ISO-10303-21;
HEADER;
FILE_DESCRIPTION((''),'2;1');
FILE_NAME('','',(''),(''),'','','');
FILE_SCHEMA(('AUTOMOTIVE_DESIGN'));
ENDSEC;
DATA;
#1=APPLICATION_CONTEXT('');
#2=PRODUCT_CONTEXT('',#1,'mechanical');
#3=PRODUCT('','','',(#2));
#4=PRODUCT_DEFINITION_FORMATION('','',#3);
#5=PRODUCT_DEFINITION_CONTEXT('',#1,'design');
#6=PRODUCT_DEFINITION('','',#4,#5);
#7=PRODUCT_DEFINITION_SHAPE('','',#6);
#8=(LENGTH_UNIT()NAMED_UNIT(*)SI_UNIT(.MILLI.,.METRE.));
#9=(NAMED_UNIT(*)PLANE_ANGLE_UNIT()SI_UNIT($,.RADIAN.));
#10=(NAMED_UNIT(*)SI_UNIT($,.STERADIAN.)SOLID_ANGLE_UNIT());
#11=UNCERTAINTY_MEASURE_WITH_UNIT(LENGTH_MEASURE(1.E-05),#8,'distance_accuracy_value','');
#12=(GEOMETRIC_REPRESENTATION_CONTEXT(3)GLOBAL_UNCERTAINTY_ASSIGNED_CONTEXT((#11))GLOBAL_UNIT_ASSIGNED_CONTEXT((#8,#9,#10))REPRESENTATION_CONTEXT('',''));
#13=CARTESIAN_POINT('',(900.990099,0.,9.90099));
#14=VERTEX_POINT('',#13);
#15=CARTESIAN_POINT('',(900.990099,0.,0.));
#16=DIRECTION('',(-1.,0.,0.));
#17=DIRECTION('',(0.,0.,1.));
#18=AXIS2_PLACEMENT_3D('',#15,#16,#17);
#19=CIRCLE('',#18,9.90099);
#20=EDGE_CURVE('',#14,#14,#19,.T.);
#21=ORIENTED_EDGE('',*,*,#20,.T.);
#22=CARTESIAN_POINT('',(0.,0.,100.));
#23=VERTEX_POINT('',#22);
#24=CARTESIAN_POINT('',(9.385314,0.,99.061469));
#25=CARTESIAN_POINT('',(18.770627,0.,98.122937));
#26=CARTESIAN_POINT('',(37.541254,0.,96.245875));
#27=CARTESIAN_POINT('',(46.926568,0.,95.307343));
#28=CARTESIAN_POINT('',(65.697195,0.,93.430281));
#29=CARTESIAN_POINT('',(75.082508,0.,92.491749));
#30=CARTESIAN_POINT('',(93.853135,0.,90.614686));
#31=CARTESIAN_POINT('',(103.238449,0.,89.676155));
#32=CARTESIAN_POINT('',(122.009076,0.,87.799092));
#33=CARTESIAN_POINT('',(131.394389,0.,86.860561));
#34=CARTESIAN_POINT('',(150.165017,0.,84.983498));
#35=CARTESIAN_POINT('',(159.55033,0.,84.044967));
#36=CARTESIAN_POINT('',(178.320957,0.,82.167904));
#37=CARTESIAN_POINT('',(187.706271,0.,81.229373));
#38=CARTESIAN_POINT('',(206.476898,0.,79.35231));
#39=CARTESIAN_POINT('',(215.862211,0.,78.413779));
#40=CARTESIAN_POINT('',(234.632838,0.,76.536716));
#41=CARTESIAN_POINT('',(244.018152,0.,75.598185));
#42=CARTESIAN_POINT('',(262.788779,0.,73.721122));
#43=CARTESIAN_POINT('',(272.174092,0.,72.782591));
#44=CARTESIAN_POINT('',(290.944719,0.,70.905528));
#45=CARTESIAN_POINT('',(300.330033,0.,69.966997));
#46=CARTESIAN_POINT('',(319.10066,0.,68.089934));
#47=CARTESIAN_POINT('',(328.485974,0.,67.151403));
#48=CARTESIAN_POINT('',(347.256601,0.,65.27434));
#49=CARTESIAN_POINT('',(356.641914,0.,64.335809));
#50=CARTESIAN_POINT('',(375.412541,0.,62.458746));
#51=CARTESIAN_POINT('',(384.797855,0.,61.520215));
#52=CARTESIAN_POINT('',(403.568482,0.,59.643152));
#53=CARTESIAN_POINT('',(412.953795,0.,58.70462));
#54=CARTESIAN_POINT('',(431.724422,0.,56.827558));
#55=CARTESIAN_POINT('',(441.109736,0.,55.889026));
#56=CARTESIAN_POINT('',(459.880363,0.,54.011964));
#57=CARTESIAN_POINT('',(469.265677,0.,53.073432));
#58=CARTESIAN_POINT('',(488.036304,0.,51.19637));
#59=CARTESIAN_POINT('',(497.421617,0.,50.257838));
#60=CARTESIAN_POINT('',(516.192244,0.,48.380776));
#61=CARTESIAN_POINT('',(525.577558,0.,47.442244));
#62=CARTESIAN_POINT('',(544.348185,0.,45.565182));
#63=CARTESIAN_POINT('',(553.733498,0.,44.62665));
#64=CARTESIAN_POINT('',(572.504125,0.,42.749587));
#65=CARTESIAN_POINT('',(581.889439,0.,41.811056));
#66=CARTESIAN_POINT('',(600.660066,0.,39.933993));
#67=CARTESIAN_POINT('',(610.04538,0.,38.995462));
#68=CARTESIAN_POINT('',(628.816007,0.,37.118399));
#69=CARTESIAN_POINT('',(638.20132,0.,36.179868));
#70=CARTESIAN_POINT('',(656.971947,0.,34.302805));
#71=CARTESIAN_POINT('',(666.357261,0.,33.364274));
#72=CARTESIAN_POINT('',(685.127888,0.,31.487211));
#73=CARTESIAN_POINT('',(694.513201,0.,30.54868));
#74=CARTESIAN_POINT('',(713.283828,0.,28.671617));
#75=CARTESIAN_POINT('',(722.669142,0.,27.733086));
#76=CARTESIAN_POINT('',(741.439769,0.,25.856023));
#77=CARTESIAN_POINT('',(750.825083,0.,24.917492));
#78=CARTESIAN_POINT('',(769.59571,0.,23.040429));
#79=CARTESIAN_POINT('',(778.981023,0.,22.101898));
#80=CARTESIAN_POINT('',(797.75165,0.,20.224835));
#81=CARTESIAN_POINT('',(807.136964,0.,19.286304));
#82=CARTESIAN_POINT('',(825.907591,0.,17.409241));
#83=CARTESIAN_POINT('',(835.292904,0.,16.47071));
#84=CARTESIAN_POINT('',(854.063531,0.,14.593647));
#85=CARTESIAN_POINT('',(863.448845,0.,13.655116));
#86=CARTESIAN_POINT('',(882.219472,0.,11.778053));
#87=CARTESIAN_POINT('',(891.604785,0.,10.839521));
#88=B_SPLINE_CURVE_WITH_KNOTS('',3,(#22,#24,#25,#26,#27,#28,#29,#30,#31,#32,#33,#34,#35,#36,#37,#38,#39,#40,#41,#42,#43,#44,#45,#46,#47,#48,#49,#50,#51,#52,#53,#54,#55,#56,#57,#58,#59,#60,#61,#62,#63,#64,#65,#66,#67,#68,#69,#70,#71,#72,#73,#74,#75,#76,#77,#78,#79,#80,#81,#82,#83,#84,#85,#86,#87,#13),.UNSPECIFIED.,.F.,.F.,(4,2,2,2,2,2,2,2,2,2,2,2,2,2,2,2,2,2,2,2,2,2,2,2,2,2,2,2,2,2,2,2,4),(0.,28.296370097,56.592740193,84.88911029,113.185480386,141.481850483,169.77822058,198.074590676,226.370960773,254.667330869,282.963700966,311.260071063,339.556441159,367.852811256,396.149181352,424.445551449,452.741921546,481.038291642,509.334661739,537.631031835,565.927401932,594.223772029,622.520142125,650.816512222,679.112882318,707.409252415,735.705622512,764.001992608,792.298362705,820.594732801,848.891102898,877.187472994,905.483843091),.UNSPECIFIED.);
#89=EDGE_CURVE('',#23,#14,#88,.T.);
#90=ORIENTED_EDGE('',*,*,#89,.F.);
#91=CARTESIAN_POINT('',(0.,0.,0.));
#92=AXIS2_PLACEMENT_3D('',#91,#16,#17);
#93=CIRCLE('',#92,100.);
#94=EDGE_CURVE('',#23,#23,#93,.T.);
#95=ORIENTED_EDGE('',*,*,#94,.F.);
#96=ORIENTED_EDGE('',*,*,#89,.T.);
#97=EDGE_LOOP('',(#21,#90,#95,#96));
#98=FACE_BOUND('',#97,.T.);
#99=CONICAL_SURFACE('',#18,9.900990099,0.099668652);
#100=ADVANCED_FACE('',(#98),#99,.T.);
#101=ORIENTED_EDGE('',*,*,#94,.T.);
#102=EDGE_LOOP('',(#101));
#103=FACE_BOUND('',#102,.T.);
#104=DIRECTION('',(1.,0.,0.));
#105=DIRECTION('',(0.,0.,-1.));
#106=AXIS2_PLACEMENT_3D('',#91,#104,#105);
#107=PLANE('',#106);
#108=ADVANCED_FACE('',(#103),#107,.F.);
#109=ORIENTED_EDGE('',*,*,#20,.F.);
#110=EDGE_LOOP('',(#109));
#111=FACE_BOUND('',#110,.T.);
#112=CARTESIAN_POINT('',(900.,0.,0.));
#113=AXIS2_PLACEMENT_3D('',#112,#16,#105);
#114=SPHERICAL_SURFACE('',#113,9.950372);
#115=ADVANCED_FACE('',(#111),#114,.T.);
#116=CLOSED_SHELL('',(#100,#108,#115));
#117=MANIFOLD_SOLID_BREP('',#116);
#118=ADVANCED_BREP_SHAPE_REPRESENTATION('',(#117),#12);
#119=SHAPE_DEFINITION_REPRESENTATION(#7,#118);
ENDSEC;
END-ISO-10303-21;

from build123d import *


with BuildPart() as part:
    # Sketch1 → Revolve2 (revolve)
    with BuildSketch(Plane(origin=(0, 0, 0), x_dir=(1, 0, 0), z_dir=(0, 1, 0))):
        with BuildLine():
            Line((900.99009901, 9.900990099), (0, 100))
            Line((0, 100), (0, 0))
            Line((0, 0), (909.950371902, 0))
            ThreePointArc((909.950371902, 0), (907.377728457, 6.67675249), (900.99009901, 9.900990099))
        make_face()
    revolve(axis=Axis((0, 0, 0), (1, 0, 0)))


solid = part.part
